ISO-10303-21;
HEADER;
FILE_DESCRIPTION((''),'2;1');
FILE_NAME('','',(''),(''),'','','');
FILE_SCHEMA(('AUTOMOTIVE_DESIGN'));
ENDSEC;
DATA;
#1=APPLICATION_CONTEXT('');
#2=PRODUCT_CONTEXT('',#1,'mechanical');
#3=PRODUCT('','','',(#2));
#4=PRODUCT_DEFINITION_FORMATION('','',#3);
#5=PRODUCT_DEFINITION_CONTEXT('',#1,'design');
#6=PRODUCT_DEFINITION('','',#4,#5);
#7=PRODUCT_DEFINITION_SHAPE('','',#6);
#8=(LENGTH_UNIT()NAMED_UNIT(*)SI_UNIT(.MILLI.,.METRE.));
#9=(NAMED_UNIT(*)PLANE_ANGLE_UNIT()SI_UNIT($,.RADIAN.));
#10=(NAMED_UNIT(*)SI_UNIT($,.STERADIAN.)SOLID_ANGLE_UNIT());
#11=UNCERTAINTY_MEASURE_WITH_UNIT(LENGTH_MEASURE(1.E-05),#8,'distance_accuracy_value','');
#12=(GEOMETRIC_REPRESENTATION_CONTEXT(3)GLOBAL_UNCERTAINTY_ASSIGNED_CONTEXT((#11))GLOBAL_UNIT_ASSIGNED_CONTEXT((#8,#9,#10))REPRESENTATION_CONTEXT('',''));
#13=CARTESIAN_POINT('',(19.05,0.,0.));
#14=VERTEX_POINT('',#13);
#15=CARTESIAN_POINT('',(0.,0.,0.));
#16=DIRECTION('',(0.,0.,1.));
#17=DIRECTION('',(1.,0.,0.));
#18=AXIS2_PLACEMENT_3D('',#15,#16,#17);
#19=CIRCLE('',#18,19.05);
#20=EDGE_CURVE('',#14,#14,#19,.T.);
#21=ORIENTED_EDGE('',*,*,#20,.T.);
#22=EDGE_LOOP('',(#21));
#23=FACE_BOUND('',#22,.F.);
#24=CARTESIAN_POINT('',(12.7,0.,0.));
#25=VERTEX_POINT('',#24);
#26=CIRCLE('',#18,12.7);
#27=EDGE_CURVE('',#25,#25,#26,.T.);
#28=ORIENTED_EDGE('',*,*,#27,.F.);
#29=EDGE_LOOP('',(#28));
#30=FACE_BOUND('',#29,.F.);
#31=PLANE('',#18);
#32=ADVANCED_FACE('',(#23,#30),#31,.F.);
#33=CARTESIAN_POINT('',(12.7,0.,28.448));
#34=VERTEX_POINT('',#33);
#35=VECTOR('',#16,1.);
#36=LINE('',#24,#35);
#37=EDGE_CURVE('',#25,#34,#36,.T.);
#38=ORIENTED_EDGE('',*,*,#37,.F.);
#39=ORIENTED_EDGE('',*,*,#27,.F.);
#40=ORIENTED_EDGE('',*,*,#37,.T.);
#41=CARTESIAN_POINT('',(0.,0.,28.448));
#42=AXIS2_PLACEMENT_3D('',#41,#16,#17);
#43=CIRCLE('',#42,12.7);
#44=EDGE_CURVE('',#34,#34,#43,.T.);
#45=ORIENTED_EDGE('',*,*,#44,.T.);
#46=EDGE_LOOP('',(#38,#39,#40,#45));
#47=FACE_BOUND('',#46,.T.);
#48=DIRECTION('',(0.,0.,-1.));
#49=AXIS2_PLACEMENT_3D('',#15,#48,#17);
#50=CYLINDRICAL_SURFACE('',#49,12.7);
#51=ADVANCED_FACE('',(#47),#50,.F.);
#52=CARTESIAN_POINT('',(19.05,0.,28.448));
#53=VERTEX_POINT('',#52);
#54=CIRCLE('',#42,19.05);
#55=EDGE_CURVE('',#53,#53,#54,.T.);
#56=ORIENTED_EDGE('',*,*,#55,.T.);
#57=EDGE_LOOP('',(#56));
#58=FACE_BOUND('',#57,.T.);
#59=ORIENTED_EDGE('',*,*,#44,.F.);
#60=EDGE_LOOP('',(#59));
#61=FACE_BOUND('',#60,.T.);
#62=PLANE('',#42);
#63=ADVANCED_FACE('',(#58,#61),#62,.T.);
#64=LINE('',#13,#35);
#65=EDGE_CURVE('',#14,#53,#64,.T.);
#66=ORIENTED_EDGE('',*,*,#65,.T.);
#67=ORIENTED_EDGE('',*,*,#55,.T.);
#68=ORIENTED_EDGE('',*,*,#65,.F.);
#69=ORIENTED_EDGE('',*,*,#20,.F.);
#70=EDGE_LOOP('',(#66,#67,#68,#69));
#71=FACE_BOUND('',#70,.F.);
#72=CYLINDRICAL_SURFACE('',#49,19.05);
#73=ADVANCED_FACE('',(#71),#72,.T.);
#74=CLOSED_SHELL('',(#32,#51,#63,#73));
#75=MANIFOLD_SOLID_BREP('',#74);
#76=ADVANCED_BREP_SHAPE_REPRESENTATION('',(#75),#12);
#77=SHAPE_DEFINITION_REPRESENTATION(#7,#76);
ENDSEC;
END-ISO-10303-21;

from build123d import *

# Parameters (mm, degrees)
CYLINDER_R     = 12.7
CYLINDER_DEPTH = 28.448
THICKNESS_T    = 6.35


with BuildPart() as part:
    # Cylinder → Cylinder (new body)
    with BuildSketch(Plane.XY):
        Circle(CYLINDER_R)
    extrude(amount=CYLINDER_DEPTH)

    # Thickness
    thickness_openings = [part.faces().sort_by_distance(p)[0] for p in [
        (0, 0, 28.448),
        (0, 0, 0),
    ]]
    offset(amount=THICKNESS_T, openings=thickness_openings)


solid = part.part
